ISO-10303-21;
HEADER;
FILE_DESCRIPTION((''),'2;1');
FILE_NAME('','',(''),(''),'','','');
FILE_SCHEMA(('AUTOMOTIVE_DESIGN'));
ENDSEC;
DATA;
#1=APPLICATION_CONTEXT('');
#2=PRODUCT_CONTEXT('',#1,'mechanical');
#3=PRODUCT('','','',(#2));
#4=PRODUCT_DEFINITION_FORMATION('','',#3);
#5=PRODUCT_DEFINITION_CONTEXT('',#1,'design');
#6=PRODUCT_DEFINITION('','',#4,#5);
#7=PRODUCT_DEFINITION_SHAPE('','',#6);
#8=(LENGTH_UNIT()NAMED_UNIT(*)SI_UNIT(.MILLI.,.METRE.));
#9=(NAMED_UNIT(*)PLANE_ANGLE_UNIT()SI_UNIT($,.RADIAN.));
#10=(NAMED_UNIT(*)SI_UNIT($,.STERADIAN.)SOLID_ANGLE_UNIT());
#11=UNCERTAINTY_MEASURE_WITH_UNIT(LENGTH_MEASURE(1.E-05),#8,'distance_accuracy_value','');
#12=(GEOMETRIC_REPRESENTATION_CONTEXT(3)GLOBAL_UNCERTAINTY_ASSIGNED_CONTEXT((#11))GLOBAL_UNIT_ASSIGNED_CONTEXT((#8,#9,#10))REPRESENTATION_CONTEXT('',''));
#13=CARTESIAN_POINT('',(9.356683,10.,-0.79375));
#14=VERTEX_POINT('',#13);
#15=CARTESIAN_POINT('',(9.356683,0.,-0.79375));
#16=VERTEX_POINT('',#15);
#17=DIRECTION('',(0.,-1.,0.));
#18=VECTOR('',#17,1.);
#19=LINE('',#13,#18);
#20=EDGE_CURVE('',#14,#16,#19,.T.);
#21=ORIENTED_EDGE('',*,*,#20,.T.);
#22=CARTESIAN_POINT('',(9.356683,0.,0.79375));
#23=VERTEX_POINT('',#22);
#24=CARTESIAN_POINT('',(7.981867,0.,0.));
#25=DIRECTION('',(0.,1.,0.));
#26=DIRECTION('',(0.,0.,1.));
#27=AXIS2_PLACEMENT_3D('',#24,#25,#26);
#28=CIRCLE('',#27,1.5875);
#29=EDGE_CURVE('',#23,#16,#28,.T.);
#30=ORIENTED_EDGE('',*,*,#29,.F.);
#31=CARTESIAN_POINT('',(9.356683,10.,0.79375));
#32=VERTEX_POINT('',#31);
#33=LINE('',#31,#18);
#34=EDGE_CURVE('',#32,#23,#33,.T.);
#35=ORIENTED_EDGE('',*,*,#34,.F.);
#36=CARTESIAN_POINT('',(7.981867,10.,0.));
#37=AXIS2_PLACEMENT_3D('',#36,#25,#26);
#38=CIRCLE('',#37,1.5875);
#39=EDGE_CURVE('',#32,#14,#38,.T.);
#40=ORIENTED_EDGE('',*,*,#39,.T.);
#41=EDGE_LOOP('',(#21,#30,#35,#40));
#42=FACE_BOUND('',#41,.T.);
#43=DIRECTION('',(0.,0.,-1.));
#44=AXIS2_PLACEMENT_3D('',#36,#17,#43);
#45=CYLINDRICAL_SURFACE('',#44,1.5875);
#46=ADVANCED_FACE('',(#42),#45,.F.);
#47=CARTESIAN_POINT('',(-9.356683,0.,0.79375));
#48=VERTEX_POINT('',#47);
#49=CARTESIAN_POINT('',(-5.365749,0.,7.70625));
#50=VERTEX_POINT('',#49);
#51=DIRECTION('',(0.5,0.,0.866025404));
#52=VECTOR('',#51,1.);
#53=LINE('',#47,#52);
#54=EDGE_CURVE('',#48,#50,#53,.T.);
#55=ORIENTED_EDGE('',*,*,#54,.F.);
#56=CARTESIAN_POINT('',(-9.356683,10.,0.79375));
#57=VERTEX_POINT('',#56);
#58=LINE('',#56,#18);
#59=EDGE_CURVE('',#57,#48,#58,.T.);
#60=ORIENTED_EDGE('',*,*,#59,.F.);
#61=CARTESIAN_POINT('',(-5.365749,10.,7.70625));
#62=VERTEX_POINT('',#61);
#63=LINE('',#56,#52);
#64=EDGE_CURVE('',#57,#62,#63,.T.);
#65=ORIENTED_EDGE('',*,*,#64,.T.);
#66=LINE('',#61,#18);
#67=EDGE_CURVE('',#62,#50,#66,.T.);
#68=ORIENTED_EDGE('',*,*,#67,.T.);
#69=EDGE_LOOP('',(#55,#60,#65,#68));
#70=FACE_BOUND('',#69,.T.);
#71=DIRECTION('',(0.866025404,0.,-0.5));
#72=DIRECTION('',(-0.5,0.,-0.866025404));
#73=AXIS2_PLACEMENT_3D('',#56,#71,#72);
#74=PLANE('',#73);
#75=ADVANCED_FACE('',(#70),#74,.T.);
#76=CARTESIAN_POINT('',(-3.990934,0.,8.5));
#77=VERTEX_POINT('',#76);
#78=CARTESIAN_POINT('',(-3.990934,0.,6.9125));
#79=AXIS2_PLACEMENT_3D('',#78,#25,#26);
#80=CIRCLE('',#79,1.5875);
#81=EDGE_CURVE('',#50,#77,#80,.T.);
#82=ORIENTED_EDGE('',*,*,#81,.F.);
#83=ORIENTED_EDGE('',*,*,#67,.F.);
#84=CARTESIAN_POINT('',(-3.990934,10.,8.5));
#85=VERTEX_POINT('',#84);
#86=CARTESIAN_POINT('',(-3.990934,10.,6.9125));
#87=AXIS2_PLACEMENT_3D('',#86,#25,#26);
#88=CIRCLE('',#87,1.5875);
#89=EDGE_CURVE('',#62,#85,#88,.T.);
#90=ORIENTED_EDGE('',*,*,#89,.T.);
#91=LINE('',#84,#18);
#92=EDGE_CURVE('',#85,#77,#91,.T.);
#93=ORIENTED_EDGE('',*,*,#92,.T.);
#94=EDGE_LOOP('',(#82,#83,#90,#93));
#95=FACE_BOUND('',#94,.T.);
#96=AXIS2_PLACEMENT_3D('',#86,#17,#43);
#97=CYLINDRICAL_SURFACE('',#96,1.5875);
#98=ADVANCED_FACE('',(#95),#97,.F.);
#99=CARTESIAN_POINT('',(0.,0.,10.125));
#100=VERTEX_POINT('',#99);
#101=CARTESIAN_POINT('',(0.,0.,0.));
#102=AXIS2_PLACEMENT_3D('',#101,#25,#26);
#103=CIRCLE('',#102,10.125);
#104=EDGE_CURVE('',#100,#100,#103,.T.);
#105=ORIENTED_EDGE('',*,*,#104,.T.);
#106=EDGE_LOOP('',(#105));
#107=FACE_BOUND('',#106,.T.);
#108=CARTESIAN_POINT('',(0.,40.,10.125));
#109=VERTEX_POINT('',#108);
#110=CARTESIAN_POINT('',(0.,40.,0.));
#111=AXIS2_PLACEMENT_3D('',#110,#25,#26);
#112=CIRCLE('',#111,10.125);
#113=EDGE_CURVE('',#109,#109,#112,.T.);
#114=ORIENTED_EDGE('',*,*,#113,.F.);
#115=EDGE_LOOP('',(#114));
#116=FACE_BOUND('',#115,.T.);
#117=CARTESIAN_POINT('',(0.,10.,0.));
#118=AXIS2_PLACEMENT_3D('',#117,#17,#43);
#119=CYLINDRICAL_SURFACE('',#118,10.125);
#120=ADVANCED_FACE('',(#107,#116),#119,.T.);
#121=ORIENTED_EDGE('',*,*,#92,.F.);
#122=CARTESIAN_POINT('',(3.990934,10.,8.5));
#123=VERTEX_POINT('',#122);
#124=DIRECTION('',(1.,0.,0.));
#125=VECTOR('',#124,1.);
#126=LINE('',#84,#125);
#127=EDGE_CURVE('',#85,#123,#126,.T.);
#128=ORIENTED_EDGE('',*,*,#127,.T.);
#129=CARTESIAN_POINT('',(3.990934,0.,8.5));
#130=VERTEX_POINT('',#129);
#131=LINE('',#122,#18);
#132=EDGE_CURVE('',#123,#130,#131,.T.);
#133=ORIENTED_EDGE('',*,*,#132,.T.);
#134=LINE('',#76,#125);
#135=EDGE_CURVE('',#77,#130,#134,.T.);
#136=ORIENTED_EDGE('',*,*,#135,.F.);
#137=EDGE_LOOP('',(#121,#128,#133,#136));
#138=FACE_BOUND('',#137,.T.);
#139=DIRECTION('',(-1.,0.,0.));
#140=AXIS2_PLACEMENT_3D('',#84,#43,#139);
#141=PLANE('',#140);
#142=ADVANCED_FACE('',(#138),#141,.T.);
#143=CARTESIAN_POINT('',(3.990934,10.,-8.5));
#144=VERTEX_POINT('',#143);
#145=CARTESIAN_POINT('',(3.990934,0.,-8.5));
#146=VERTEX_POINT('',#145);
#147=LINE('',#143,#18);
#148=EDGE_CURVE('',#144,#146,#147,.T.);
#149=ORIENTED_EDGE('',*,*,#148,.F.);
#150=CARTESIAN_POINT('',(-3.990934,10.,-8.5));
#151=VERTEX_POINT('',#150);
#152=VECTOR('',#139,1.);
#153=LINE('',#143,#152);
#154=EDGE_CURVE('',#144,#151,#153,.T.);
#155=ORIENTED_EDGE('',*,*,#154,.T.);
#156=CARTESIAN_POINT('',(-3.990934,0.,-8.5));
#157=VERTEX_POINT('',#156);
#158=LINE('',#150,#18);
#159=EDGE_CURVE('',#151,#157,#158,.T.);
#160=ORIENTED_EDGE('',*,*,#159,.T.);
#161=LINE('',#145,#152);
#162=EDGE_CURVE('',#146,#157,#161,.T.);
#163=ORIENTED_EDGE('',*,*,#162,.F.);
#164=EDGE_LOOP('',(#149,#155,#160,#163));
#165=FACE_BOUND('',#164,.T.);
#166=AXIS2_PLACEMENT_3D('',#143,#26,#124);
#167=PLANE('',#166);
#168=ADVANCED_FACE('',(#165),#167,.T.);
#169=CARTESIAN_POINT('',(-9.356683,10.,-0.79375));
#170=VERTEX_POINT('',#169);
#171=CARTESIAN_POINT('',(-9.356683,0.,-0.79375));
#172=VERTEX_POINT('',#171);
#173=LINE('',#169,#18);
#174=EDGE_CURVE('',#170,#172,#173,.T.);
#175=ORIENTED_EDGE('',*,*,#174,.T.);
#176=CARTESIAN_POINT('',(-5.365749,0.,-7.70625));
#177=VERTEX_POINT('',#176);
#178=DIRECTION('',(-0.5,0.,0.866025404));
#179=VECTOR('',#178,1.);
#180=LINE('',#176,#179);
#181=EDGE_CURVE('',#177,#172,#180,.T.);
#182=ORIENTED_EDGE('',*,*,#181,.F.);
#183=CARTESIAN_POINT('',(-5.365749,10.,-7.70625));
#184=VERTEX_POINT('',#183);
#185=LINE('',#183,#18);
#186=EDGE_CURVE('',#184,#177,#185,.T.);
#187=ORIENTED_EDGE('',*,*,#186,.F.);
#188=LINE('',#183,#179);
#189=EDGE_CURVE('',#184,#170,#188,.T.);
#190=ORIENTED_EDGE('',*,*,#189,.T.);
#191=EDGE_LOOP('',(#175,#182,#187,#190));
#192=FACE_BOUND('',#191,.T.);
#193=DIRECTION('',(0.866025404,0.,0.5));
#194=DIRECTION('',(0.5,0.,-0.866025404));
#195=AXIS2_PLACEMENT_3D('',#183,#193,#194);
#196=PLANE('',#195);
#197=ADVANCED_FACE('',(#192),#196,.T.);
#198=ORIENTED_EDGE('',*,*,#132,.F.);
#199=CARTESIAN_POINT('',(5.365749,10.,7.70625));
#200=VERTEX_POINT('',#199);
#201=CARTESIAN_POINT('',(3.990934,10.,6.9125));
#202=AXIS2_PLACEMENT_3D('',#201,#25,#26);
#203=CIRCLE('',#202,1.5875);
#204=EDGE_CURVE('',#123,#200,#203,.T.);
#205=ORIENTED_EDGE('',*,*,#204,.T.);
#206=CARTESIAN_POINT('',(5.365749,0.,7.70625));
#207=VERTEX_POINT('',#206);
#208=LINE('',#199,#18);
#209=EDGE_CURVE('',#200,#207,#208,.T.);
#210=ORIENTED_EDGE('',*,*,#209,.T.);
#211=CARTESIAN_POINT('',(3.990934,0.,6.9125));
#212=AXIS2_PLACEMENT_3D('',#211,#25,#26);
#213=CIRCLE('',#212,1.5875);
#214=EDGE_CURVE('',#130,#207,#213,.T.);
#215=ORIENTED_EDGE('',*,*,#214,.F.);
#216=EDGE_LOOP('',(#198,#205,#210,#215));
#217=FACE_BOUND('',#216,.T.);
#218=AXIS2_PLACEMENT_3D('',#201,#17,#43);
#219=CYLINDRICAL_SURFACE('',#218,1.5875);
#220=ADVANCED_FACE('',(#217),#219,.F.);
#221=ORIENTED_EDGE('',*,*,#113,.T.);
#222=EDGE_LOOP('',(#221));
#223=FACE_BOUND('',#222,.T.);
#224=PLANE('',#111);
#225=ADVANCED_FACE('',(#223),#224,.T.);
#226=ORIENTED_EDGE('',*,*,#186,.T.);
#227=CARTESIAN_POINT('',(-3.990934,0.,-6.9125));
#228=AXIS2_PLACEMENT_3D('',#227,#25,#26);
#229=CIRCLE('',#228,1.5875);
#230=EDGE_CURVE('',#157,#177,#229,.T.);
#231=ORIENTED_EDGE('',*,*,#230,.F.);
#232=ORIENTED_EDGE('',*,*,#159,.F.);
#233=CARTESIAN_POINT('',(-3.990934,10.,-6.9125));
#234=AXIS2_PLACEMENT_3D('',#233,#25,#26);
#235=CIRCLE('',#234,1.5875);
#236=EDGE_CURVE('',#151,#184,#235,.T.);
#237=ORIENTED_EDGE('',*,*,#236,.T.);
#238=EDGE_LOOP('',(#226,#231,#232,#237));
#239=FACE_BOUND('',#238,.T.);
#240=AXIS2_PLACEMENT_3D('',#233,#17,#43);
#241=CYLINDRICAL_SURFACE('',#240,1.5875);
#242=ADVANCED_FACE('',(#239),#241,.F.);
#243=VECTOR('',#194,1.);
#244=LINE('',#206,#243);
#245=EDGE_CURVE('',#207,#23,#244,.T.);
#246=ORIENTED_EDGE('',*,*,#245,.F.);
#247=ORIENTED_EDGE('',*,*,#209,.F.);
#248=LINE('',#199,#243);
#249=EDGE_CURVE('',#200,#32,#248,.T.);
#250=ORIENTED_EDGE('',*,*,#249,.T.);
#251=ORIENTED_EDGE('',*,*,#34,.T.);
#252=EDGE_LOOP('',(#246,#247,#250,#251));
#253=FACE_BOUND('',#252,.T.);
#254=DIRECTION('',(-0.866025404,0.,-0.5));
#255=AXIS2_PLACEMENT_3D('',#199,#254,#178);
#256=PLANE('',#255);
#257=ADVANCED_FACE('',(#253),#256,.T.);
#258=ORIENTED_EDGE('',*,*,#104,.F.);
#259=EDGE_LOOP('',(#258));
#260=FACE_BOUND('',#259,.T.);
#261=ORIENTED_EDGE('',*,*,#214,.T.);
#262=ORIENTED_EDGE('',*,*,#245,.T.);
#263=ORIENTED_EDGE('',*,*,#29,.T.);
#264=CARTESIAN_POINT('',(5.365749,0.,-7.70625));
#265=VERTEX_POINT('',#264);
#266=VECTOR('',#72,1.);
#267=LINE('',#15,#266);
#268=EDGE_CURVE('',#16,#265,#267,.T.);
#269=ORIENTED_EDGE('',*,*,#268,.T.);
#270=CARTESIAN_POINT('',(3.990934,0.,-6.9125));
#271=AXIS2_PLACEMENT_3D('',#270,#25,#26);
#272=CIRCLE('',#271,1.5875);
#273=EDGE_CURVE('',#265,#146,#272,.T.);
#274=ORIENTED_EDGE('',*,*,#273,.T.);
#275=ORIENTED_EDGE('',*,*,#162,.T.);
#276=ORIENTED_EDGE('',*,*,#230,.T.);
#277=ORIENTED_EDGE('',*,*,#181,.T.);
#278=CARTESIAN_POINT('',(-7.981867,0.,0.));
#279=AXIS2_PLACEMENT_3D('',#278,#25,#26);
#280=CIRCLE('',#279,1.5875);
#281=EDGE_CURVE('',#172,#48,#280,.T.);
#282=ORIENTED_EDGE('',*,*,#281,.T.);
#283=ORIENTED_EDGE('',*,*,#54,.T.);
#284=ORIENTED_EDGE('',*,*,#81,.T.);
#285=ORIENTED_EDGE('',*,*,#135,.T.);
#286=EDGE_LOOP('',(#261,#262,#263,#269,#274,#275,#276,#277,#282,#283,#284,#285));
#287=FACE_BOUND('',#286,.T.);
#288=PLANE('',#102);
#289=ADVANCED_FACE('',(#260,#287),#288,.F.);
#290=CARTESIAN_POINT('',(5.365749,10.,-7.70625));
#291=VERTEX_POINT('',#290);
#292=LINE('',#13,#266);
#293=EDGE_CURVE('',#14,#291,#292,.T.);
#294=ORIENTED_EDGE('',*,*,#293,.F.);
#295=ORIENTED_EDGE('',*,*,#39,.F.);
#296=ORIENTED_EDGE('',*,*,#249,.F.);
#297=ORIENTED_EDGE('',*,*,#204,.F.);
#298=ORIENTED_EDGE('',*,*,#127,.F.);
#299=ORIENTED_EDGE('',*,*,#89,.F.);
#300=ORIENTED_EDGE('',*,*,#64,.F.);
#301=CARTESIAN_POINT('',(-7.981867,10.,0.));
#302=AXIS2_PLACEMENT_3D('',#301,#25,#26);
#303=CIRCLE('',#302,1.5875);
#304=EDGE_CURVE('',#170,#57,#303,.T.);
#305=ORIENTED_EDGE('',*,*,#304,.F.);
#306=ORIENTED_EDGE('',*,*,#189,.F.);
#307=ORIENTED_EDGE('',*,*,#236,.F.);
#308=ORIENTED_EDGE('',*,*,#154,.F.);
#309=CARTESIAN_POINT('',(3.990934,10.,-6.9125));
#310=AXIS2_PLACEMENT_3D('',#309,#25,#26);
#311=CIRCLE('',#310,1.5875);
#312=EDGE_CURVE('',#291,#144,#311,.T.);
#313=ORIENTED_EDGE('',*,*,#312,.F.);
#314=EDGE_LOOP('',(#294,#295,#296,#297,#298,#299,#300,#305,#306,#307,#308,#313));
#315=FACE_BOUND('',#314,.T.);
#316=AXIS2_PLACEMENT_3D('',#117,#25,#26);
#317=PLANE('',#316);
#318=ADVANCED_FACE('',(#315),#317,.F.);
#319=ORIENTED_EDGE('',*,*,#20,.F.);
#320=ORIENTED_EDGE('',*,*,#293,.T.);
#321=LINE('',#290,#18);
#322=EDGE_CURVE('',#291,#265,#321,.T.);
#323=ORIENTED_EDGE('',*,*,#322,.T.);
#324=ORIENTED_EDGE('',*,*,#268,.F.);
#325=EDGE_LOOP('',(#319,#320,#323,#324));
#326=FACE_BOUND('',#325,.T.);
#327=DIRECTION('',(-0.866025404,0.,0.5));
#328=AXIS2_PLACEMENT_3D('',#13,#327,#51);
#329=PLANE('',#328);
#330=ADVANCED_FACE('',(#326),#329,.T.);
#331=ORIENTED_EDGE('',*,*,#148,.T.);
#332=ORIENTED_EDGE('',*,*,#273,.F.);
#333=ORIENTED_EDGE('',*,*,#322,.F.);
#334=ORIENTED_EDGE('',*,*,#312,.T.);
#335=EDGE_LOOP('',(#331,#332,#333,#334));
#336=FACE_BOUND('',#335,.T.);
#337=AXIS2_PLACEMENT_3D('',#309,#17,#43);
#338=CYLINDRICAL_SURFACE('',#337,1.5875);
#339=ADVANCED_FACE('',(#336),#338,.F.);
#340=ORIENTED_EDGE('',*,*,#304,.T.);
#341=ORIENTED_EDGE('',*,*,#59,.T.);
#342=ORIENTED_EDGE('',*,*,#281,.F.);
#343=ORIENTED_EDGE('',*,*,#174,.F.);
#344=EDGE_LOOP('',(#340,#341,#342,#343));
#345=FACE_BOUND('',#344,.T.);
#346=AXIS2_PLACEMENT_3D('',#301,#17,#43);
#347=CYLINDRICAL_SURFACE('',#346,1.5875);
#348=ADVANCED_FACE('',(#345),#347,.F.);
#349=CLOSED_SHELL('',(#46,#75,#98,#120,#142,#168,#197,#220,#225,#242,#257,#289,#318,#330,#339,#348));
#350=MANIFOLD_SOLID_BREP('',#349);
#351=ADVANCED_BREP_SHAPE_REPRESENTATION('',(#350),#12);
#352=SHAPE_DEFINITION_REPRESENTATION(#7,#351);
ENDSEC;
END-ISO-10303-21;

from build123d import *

# Parameters (mm, degrees)
SKETCH1_R           = 10.125
BOSS_EXTRUDE1_DEPTH = 10
SKETCH2_R           = 10.125
BOSS_EXTRUDE2_DEPTH = 30


with BuildPart() as part:
    # Sketch1 → Boss-Extrude1 (new body)
    with BuildSketch(Plane(origin=(0, 0, 0), x_dir=(1, 0, 0), z_dir=(0, 1, 0))):
        Circle(SKETCH1_R)
        with BuildLine():
            Line((9.3566828, 0.79375), (5.365749064, 7.70625))
            ThreePointArc((5.365749064, 7.70625), (4.784683736, 8.287315329), (3.990933736, 8.5))
            Line((3.990933736, 8.5), (-3.990933736, 8.5))
            ThreePointArc((-3.990933736, 8.5), (-4.784683736, 8.287315329), (-5.365749064, 7.70625))
            Line((-5.365749064, 7.70625), (-9.3566828, 0.79375))
            ThreePointArc((-9.3566828, 0.79375), (-9.569367472, 0), (-9.3566828, -0.79375))
            Line((-9.3566828, -0.79375), (-5.365749064, -7.70625))
            ThreePointArc((-5.365749064, -7.70625), (-4.784683736, -8.287315329), (-3.990933736, -8.5))
            Line((-3.990933736, -8.5), (3.990933736, -8.5))
            ThreePointArc((3.990933736, -8.5), (4.784683736, -8.287315329), (5.365749064, -7.70625))
            Line((5.365749064, -7.70625), (9.3566828, -0.79375))
            ThreePointArc((9.3566828, -0.79375), (9.569367472, 0), (9.3566828, 0.79375))
        make_face(mode=Mode.SUBTRACT)
    extrude(amount=BOSS_EXTRUDE1_DEPTH)

    # Sketch2 → Boss-Extrude2 (add)
    with BuildSketch(Plane(origin=(0, 10, 0), x_dir=(1, 0, 0), z_dir=(0, 1, 0))):
        Circle(SKETCH2_R)
    extrude(amount=BOSS_EXTRUDE2_DEPTH)


solid = part.part
